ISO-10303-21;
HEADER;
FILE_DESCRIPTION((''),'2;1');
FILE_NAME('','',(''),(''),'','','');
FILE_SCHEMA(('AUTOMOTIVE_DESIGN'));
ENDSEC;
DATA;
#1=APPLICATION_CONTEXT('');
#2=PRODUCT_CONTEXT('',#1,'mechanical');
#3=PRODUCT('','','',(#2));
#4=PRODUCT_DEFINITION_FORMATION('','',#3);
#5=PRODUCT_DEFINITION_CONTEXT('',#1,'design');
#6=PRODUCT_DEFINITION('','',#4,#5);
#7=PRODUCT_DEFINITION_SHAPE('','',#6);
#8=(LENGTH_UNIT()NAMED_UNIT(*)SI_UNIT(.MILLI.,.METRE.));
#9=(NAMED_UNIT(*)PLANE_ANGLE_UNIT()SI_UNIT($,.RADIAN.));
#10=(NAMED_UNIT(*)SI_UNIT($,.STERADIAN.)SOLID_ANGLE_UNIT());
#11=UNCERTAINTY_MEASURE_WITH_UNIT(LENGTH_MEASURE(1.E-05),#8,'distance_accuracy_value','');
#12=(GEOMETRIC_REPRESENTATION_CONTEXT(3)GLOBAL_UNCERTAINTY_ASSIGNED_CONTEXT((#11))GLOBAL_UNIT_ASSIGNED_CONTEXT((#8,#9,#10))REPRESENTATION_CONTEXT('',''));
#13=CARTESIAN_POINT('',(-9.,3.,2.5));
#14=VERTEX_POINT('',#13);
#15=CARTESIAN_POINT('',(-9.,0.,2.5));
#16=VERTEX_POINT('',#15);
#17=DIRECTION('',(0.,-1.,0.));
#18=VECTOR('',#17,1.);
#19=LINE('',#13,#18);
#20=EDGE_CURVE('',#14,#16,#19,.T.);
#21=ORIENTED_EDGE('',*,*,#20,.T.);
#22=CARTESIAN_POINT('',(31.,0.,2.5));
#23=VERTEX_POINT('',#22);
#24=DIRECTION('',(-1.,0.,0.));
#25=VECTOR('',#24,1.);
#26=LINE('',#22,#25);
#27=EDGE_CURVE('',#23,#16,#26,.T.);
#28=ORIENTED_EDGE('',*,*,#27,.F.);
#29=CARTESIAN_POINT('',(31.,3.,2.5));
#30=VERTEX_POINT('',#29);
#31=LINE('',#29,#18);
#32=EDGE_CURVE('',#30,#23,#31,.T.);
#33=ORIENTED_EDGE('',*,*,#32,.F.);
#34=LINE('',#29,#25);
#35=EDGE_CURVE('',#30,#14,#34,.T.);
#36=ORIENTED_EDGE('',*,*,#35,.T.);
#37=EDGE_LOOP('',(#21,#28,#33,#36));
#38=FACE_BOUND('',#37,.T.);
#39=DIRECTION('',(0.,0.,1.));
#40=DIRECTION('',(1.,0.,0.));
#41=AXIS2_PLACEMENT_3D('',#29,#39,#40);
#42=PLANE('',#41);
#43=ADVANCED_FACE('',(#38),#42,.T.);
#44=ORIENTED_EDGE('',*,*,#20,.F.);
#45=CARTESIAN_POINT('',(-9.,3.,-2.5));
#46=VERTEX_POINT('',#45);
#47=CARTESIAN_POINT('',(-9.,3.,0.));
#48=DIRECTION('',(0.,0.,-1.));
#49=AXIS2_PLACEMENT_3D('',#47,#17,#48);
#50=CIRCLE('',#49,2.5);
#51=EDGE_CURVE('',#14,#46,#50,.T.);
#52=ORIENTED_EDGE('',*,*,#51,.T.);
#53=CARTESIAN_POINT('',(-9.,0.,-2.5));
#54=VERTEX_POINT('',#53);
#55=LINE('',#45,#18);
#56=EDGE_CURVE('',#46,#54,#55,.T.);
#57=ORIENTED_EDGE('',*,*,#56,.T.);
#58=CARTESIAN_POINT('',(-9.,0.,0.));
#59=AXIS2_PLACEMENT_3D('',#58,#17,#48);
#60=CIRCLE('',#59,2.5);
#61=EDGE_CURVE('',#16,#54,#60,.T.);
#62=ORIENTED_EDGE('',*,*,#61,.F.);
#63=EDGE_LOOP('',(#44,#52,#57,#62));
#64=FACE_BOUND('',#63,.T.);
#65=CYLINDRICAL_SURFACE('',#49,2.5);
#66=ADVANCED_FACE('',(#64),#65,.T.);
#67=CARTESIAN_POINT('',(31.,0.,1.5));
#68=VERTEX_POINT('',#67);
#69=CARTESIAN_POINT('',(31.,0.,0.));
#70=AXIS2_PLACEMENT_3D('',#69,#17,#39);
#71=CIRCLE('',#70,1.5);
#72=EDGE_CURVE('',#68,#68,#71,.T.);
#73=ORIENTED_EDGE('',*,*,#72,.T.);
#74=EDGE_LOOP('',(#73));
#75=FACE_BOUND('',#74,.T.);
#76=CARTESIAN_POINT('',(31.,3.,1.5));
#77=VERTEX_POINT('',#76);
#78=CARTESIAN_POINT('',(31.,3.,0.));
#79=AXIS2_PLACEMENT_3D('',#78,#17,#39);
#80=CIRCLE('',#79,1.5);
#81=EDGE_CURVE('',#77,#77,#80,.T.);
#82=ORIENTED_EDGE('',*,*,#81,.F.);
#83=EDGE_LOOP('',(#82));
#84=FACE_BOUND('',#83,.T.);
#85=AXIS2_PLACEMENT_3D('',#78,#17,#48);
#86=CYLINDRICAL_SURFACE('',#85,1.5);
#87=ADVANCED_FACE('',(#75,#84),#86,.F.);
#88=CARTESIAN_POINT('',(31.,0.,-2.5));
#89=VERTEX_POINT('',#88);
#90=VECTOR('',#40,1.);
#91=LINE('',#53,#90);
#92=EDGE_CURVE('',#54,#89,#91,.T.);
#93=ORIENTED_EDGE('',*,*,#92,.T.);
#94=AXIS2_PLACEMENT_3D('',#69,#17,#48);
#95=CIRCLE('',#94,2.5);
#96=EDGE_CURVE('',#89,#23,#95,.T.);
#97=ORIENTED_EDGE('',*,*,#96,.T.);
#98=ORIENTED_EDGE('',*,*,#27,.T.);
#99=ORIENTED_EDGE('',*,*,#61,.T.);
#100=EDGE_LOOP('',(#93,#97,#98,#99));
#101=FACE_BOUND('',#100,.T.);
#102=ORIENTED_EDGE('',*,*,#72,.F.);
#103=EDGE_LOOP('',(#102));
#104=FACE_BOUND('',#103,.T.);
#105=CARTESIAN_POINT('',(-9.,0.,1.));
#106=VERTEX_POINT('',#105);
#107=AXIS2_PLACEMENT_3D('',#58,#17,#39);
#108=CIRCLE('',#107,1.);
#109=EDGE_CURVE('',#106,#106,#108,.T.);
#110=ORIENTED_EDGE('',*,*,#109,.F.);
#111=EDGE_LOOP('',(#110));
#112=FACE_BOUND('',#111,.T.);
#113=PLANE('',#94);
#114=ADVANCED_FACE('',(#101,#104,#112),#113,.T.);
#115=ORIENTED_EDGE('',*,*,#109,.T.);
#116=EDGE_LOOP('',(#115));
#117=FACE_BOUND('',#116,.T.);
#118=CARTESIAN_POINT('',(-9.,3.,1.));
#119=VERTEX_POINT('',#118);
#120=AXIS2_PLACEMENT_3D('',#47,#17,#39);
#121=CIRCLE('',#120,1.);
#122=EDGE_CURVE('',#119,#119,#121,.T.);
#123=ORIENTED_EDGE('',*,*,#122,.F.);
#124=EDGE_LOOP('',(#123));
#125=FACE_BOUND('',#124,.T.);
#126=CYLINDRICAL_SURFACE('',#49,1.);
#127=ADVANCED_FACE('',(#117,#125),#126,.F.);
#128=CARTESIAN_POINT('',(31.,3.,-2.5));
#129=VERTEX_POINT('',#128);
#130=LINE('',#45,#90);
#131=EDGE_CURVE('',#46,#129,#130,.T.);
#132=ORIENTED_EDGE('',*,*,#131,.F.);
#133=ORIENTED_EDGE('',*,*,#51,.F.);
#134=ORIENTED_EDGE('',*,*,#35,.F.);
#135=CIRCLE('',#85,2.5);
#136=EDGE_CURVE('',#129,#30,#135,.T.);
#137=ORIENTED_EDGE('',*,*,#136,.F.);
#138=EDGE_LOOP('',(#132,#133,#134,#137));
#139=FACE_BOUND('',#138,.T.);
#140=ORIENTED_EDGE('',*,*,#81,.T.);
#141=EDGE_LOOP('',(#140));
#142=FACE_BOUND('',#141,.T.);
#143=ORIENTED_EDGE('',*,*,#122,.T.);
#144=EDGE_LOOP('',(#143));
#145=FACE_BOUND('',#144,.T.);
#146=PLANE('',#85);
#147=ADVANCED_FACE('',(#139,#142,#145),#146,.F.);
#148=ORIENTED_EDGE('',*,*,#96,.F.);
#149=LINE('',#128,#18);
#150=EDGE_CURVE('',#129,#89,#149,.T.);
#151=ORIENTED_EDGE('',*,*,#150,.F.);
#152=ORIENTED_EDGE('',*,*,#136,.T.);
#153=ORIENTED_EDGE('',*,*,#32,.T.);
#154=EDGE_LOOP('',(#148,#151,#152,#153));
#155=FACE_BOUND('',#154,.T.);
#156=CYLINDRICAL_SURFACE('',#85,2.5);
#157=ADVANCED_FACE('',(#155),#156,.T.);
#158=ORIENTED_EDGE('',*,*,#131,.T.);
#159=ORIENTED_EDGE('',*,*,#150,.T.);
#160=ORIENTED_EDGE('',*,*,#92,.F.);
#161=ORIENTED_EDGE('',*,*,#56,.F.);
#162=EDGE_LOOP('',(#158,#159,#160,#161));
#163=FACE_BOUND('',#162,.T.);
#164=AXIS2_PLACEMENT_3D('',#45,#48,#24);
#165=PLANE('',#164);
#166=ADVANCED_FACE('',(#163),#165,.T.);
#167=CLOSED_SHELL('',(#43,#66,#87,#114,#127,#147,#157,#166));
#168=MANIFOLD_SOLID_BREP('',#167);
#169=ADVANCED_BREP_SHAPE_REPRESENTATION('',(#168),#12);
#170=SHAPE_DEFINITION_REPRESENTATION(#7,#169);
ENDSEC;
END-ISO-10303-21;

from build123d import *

# Parameters (mm, degrees)
SKETCH1_R           = 1.5
SKETCH1_R_2         = 1
BOSS_EXTRUDE1_DEPTH = 3


with BuildPart() as part:
    # Sketch1 → Boss-Extrude1 (new body)
    with BuildSketch(Plane.XZ):
        with BuildLine():
            Line((31, 2.5), (-9, 2.5))
            ThreePointArc((-9, 2.5), (-11.5, 0), (-9, -2.5))
            Line((-9, -2.5), (31, -2.5))
            ThreePointArc((31, -2.5), (33.5, 0), (31, 2.5))
        make_face()
        with Locations((31, 0)):
            Circle(SKETCH1_R, mode=Mode.SUBTRACT)
        with Locations((-9, 0)):
            Circle(SKETCH1_R_2, mode=Mode.SUBTRACT)
    extrude(amount=-BOSS_EXTRUDE1_DEPTH)


solid = part.part
